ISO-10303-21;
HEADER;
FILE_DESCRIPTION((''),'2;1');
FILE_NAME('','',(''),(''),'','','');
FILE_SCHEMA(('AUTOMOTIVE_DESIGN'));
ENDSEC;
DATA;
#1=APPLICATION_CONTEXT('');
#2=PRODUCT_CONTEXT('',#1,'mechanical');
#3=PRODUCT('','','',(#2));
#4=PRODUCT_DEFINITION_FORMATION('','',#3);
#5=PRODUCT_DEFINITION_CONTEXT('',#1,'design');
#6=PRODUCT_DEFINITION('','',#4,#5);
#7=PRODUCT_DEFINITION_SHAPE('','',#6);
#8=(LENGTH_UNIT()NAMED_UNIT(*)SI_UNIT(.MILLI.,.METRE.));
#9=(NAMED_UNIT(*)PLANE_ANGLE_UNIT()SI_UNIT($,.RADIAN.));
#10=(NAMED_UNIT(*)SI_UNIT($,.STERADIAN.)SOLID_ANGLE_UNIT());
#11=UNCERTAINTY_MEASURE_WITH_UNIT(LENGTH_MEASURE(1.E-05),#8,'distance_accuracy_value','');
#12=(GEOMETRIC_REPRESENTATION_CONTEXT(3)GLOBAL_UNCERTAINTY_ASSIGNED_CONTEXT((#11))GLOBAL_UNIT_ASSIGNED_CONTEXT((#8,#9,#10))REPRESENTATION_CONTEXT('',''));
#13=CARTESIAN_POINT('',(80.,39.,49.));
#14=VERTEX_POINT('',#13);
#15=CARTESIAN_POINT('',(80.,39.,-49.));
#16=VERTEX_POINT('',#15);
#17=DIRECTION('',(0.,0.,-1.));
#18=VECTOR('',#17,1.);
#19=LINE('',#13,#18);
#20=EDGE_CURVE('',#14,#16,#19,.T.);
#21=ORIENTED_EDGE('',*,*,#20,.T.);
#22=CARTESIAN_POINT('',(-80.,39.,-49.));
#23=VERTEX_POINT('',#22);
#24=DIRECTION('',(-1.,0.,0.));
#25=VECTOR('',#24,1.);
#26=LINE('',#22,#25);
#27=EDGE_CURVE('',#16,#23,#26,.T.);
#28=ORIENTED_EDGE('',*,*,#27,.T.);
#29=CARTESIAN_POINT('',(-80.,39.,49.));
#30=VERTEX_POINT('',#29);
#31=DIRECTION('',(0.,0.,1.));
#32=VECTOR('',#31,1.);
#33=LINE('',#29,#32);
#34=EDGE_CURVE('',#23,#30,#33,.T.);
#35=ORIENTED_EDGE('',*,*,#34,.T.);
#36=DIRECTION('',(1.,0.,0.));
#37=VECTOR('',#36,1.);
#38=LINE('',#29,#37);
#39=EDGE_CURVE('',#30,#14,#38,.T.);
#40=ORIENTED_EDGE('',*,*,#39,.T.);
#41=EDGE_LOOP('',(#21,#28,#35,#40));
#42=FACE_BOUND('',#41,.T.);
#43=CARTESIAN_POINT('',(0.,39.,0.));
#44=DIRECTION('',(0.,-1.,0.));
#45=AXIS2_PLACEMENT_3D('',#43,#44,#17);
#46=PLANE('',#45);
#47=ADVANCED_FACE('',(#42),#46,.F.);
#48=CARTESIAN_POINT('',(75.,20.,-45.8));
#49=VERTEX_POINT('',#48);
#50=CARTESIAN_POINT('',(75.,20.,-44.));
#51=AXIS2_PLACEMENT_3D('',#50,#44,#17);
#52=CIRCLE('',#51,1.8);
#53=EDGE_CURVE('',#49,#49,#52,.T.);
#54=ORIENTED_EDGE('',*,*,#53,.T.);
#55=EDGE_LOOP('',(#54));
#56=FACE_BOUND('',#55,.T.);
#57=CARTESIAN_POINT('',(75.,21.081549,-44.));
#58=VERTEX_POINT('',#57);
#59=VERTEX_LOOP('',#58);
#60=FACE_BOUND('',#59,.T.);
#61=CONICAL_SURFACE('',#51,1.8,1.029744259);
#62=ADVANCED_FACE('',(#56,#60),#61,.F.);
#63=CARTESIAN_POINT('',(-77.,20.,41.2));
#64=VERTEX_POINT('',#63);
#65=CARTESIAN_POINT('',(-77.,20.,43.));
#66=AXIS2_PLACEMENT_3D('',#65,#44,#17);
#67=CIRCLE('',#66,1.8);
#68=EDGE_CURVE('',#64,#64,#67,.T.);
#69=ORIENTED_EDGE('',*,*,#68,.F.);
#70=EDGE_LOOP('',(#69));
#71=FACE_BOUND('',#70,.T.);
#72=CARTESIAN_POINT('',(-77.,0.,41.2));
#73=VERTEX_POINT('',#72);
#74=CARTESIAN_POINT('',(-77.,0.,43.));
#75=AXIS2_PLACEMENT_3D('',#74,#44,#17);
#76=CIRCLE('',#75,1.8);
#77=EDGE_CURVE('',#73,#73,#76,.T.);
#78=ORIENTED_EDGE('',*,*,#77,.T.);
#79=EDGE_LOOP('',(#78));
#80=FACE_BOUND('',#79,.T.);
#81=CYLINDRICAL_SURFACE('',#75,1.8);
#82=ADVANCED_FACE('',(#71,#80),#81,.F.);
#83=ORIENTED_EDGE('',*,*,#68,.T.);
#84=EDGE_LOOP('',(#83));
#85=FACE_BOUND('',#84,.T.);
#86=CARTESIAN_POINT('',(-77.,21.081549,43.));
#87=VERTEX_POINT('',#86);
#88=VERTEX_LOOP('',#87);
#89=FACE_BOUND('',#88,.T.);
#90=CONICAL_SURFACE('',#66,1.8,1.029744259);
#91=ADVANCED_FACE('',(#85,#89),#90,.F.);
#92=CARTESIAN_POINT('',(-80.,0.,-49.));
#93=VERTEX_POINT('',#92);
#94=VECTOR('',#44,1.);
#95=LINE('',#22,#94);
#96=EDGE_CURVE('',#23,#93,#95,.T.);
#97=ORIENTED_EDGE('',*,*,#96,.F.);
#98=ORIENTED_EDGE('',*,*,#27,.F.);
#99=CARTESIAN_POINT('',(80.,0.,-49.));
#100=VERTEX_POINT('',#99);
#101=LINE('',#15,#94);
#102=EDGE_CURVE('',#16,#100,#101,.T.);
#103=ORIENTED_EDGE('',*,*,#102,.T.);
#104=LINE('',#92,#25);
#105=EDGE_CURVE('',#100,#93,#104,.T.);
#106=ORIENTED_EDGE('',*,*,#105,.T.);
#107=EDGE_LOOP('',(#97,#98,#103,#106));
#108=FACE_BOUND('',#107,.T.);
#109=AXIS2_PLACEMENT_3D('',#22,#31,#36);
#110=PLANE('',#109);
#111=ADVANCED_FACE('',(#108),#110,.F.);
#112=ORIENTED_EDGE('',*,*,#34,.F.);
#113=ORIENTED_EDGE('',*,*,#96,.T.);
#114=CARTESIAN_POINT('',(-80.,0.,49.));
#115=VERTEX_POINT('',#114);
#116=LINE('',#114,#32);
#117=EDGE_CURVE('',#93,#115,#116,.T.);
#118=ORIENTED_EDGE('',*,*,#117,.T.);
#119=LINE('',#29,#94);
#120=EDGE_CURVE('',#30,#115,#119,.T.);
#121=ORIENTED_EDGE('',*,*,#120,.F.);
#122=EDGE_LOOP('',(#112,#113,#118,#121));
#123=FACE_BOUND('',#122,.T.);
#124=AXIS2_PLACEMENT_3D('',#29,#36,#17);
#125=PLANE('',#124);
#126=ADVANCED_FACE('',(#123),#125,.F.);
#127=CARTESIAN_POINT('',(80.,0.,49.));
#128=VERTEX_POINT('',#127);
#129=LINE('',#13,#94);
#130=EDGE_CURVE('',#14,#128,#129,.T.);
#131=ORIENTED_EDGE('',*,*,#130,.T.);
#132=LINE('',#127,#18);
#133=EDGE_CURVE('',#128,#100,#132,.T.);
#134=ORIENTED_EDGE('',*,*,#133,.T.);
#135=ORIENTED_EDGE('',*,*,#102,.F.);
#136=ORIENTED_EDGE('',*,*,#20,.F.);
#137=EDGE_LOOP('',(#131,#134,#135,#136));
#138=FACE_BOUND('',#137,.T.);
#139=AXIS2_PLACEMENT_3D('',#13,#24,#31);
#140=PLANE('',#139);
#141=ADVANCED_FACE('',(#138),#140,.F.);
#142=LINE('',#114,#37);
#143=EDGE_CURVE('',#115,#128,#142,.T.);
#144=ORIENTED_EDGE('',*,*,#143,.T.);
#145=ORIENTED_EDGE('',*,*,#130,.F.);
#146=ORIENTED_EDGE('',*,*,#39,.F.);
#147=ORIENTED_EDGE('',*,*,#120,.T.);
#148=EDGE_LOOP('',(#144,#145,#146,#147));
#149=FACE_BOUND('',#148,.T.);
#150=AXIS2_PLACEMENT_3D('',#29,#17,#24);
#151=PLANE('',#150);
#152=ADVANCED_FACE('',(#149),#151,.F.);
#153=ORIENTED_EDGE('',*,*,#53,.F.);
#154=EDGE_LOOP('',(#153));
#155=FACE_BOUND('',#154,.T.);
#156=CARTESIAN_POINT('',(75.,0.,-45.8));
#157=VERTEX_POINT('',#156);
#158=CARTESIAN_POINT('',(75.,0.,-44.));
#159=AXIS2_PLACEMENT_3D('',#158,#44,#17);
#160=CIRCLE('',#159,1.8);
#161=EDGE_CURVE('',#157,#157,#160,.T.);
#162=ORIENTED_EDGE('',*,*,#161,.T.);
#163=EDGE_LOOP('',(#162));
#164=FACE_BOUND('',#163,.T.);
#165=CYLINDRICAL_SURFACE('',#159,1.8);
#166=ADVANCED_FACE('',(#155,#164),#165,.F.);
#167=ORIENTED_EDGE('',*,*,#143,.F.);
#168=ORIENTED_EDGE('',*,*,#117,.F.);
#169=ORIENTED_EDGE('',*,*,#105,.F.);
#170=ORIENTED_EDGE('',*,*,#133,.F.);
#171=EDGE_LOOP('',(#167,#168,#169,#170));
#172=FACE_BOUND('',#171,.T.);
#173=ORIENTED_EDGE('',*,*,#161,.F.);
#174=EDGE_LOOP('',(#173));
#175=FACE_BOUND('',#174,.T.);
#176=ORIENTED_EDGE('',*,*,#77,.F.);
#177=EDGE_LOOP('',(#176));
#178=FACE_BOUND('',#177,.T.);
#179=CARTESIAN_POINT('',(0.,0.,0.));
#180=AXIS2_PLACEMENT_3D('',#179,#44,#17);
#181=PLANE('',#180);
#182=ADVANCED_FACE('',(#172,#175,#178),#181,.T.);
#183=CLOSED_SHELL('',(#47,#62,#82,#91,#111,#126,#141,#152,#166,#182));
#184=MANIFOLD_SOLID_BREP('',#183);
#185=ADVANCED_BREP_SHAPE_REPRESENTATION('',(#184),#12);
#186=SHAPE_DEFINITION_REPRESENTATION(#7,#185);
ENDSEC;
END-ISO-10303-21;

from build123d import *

# Parameters (mm, degrees)
SKETCH1_W                = 160
SKETCH1_H                = 98
BOSS_EXTRUDE1_DEPTH      = 39
M3_CLEARANCE_HOLE1_D     = 3.6
M3_CLEARANCE_HOLE1_DEPTH = 20
M3_CLEARANCE_HOLE1_TIP   = 1.081549114


with BuildPart() as part:
    # Sketch1 → Boss-Extrude1 (new body)
    with BuildSketch(Plane(origin=(0, 0, 0), x_dir=(1, 0, 0), z_dir=(0, 1, 0))):
        Rectangle(SKETCH1_W, SKETCH1_H)
    extrude(amount=BOSS_EXTRUDE1_DEPTH)

    # M3 Clearance Hole1
    with Locations(Plane(origin=(0, 0, 0), x_dir=(-1, 0, 0), z_dir=(0, -1, 0))):
        with Locations((-75, 44), (77, -43)):
            Hole(M3_CLEARANCE_HOLE1_D / 2, depth=M3_CLEARANCE_HOLE1_DEPTH)
            with Locations((0, 0, -(M3_CLEARANCE_HOLE1_DEPTH + M3_CLEARANCE_HOLE1_TIP / 2))):  # 118° drill point
                Cone(0, M3_CLEARANCE_HOLE1_D / 2, M3_CLEARANCE_HOLE1_TIP, mode=Mode.SUBTRACT)


solid = part.part
